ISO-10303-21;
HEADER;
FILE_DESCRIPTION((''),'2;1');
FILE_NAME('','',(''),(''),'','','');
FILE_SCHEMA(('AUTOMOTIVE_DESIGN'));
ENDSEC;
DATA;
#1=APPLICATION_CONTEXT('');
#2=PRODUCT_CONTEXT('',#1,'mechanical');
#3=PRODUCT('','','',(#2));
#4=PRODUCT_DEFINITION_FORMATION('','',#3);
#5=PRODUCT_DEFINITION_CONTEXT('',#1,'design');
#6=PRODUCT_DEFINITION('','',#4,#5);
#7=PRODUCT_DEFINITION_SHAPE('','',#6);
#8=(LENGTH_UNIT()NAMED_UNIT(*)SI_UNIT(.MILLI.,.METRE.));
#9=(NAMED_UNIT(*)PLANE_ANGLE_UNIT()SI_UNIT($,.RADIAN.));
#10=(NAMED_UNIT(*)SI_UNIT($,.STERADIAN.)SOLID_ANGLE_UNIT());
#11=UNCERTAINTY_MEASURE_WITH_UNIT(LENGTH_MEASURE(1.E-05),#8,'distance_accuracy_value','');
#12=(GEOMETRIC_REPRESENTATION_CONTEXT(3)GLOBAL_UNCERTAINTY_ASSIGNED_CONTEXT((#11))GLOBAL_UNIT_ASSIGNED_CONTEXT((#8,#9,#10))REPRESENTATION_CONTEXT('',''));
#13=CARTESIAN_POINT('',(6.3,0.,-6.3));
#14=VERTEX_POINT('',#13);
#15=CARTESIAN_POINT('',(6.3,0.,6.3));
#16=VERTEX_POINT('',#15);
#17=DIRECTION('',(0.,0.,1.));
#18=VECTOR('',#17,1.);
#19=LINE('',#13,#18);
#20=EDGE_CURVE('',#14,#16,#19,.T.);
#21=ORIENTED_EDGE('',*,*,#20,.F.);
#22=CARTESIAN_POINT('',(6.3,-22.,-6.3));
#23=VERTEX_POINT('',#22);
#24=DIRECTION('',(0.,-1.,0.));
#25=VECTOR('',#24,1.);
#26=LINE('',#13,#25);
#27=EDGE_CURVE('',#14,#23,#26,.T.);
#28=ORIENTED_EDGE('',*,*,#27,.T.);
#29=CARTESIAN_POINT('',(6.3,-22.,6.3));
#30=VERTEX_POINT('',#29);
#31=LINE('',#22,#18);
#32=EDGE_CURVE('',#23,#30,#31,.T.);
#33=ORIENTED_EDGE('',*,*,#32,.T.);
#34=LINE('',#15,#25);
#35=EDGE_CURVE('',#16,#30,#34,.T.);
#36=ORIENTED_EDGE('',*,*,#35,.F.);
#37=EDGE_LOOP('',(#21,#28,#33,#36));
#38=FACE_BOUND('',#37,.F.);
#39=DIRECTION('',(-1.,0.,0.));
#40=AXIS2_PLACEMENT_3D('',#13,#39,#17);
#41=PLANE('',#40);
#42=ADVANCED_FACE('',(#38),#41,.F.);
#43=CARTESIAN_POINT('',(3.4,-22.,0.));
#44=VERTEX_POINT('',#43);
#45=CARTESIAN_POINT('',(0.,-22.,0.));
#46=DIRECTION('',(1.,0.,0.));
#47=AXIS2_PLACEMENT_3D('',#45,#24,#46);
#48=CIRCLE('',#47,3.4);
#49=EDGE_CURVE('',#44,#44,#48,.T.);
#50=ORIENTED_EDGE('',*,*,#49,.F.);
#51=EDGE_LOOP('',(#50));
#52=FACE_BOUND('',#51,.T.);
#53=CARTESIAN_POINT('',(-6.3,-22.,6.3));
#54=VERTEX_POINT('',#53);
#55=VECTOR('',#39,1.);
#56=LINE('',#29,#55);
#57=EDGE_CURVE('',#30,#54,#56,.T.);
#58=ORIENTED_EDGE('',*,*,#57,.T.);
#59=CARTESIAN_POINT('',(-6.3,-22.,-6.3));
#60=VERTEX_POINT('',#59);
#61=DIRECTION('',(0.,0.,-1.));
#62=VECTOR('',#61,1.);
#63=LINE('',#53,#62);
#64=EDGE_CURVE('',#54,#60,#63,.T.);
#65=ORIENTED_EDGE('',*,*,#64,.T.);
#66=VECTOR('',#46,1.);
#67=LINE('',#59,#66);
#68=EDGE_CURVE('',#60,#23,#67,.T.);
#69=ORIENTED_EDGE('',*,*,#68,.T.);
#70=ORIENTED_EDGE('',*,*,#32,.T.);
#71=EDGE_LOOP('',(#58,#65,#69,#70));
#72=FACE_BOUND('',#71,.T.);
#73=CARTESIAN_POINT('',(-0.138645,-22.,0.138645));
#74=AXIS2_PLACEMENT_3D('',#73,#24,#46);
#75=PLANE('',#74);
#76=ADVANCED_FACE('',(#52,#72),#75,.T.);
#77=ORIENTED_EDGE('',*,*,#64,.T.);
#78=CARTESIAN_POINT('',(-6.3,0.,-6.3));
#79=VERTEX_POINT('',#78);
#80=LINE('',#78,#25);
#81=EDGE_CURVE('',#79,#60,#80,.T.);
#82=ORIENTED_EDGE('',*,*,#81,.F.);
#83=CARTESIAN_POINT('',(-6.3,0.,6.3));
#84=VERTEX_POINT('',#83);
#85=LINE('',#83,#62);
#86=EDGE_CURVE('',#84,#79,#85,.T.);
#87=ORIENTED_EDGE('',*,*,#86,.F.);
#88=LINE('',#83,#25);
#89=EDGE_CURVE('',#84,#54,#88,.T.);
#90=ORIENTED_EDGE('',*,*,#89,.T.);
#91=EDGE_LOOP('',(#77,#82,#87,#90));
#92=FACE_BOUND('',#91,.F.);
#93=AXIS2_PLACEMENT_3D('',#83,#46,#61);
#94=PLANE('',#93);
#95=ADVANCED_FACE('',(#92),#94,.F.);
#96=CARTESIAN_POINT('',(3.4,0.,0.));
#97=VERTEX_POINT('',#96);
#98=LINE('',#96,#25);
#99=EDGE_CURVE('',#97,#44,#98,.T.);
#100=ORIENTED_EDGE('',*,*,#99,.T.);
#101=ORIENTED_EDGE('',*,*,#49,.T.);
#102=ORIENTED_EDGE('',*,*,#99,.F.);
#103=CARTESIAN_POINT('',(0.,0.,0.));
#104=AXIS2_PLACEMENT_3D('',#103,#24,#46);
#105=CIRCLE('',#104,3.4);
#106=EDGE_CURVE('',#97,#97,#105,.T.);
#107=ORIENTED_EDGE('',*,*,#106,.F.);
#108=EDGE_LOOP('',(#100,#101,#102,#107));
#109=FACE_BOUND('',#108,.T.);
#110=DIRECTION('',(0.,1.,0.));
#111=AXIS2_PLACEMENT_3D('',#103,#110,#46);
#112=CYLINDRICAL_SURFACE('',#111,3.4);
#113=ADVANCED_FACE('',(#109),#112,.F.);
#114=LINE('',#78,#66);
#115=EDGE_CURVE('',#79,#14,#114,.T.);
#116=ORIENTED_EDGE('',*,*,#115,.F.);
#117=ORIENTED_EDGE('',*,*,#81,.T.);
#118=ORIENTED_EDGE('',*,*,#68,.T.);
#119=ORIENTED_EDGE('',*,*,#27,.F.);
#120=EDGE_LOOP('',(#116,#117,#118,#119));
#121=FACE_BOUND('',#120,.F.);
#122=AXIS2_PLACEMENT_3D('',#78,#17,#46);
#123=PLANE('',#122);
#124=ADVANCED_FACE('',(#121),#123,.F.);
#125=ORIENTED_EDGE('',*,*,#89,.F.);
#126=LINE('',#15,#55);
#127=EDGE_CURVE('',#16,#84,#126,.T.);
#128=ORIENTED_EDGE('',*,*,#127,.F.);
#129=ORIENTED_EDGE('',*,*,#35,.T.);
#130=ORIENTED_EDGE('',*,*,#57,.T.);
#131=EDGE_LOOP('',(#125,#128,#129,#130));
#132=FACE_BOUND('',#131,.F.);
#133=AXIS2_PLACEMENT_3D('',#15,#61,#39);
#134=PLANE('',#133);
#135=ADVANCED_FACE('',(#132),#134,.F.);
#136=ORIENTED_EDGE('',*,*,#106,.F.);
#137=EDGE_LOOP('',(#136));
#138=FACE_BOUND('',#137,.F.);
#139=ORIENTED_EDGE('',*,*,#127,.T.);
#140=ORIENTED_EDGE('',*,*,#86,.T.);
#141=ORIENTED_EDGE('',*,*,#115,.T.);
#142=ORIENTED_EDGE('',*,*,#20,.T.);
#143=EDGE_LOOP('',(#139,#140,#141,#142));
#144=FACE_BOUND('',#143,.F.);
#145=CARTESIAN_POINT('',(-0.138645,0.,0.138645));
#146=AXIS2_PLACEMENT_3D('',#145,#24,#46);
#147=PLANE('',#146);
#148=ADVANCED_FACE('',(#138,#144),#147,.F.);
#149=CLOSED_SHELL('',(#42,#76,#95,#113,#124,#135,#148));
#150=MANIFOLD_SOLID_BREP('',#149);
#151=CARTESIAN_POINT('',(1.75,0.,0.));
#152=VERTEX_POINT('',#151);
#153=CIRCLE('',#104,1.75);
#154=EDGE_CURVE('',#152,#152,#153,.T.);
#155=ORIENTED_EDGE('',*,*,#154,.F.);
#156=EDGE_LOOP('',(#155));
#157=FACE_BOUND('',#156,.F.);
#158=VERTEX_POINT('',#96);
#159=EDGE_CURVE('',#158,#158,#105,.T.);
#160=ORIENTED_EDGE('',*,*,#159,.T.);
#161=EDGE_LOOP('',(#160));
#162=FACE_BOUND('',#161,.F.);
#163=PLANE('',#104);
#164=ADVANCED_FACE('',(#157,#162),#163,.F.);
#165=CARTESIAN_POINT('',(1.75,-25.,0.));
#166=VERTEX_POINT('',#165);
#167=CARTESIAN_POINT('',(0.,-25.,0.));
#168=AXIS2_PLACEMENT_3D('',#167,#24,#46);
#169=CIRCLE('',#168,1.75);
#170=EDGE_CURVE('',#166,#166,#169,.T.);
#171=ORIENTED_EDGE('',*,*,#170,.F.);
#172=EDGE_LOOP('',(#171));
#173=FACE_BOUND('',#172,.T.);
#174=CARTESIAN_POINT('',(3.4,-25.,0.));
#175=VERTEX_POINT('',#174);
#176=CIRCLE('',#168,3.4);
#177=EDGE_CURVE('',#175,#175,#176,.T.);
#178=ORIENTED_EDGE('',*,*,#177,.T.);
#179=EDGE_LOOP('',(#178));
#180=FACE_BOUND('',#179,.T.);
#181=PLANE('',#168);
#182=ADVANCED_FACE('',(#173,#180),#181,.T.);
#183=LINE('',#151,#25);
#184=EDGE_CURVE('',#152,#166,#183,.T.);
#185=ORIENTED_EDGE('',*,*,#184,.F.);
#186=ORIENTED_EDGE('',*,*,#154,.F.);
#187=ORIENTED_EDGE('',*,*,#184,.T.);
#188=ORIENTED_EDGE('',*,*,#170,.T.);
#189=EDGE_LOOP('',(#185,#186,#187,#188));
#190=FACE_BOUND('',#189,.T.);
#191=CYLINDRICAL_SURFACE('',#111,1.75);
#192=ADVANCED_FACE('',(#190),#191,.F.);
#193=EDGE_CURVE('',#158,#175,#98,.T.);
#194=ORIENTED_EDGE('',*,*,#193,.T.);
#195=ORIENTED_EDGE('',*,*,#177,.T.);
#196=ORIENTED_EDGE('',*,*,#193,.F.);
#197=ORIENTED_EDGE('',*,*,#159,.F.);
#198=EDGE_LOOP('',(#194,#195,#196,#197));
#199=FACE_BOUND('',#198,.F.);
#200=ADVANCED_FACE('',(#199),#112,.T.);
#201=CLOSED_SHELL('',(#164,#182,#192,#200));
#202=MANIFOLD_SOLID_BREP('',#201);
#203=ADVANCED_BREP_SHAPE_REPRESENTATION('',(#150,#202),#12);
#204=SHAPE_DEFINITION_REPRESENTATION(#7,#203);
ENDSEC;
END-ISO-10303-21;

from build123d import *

# Parameters (mm, degrees)
F0_R     = 3.4
F0_R_2   = 1.75
F1_DEPTH = 25
F0_W     = 3.5
F0_H     = 1.996492
F2_DEPTH = 22


with BuildPart() as f1:
    # F0 (on Front) → F1 (new body)
    with BuildSketch(Plane.XZ):
        Circle(F0_R)
        Circle(F0_R_2, mode=Mode.SUBTRACT)
    extrude(amount=F1_DEPTH)


with BuildPart() as f2:
    # F0 (on Front) → F2 (new body)
    with BuildSketch(Plane.XZ):
        Polygon((6.3, -4.303508), (6.3, 6.3), (-3.296711, 6.3), (-6.3, 6.3), (-6.3, 4.313822), (-6.3, -6.3), (2.8, -6.3), (2.8, -4.303508), align=None)
        Circle(F0_R, mode=Mode.SUBTRACT)
        with Locations((4.55, -5.301754)):
            Rectangle(F0_W, F0_H)
    extrude(amount=F2_DEPTH)


solid = Compound([f1.part, f2.part])
